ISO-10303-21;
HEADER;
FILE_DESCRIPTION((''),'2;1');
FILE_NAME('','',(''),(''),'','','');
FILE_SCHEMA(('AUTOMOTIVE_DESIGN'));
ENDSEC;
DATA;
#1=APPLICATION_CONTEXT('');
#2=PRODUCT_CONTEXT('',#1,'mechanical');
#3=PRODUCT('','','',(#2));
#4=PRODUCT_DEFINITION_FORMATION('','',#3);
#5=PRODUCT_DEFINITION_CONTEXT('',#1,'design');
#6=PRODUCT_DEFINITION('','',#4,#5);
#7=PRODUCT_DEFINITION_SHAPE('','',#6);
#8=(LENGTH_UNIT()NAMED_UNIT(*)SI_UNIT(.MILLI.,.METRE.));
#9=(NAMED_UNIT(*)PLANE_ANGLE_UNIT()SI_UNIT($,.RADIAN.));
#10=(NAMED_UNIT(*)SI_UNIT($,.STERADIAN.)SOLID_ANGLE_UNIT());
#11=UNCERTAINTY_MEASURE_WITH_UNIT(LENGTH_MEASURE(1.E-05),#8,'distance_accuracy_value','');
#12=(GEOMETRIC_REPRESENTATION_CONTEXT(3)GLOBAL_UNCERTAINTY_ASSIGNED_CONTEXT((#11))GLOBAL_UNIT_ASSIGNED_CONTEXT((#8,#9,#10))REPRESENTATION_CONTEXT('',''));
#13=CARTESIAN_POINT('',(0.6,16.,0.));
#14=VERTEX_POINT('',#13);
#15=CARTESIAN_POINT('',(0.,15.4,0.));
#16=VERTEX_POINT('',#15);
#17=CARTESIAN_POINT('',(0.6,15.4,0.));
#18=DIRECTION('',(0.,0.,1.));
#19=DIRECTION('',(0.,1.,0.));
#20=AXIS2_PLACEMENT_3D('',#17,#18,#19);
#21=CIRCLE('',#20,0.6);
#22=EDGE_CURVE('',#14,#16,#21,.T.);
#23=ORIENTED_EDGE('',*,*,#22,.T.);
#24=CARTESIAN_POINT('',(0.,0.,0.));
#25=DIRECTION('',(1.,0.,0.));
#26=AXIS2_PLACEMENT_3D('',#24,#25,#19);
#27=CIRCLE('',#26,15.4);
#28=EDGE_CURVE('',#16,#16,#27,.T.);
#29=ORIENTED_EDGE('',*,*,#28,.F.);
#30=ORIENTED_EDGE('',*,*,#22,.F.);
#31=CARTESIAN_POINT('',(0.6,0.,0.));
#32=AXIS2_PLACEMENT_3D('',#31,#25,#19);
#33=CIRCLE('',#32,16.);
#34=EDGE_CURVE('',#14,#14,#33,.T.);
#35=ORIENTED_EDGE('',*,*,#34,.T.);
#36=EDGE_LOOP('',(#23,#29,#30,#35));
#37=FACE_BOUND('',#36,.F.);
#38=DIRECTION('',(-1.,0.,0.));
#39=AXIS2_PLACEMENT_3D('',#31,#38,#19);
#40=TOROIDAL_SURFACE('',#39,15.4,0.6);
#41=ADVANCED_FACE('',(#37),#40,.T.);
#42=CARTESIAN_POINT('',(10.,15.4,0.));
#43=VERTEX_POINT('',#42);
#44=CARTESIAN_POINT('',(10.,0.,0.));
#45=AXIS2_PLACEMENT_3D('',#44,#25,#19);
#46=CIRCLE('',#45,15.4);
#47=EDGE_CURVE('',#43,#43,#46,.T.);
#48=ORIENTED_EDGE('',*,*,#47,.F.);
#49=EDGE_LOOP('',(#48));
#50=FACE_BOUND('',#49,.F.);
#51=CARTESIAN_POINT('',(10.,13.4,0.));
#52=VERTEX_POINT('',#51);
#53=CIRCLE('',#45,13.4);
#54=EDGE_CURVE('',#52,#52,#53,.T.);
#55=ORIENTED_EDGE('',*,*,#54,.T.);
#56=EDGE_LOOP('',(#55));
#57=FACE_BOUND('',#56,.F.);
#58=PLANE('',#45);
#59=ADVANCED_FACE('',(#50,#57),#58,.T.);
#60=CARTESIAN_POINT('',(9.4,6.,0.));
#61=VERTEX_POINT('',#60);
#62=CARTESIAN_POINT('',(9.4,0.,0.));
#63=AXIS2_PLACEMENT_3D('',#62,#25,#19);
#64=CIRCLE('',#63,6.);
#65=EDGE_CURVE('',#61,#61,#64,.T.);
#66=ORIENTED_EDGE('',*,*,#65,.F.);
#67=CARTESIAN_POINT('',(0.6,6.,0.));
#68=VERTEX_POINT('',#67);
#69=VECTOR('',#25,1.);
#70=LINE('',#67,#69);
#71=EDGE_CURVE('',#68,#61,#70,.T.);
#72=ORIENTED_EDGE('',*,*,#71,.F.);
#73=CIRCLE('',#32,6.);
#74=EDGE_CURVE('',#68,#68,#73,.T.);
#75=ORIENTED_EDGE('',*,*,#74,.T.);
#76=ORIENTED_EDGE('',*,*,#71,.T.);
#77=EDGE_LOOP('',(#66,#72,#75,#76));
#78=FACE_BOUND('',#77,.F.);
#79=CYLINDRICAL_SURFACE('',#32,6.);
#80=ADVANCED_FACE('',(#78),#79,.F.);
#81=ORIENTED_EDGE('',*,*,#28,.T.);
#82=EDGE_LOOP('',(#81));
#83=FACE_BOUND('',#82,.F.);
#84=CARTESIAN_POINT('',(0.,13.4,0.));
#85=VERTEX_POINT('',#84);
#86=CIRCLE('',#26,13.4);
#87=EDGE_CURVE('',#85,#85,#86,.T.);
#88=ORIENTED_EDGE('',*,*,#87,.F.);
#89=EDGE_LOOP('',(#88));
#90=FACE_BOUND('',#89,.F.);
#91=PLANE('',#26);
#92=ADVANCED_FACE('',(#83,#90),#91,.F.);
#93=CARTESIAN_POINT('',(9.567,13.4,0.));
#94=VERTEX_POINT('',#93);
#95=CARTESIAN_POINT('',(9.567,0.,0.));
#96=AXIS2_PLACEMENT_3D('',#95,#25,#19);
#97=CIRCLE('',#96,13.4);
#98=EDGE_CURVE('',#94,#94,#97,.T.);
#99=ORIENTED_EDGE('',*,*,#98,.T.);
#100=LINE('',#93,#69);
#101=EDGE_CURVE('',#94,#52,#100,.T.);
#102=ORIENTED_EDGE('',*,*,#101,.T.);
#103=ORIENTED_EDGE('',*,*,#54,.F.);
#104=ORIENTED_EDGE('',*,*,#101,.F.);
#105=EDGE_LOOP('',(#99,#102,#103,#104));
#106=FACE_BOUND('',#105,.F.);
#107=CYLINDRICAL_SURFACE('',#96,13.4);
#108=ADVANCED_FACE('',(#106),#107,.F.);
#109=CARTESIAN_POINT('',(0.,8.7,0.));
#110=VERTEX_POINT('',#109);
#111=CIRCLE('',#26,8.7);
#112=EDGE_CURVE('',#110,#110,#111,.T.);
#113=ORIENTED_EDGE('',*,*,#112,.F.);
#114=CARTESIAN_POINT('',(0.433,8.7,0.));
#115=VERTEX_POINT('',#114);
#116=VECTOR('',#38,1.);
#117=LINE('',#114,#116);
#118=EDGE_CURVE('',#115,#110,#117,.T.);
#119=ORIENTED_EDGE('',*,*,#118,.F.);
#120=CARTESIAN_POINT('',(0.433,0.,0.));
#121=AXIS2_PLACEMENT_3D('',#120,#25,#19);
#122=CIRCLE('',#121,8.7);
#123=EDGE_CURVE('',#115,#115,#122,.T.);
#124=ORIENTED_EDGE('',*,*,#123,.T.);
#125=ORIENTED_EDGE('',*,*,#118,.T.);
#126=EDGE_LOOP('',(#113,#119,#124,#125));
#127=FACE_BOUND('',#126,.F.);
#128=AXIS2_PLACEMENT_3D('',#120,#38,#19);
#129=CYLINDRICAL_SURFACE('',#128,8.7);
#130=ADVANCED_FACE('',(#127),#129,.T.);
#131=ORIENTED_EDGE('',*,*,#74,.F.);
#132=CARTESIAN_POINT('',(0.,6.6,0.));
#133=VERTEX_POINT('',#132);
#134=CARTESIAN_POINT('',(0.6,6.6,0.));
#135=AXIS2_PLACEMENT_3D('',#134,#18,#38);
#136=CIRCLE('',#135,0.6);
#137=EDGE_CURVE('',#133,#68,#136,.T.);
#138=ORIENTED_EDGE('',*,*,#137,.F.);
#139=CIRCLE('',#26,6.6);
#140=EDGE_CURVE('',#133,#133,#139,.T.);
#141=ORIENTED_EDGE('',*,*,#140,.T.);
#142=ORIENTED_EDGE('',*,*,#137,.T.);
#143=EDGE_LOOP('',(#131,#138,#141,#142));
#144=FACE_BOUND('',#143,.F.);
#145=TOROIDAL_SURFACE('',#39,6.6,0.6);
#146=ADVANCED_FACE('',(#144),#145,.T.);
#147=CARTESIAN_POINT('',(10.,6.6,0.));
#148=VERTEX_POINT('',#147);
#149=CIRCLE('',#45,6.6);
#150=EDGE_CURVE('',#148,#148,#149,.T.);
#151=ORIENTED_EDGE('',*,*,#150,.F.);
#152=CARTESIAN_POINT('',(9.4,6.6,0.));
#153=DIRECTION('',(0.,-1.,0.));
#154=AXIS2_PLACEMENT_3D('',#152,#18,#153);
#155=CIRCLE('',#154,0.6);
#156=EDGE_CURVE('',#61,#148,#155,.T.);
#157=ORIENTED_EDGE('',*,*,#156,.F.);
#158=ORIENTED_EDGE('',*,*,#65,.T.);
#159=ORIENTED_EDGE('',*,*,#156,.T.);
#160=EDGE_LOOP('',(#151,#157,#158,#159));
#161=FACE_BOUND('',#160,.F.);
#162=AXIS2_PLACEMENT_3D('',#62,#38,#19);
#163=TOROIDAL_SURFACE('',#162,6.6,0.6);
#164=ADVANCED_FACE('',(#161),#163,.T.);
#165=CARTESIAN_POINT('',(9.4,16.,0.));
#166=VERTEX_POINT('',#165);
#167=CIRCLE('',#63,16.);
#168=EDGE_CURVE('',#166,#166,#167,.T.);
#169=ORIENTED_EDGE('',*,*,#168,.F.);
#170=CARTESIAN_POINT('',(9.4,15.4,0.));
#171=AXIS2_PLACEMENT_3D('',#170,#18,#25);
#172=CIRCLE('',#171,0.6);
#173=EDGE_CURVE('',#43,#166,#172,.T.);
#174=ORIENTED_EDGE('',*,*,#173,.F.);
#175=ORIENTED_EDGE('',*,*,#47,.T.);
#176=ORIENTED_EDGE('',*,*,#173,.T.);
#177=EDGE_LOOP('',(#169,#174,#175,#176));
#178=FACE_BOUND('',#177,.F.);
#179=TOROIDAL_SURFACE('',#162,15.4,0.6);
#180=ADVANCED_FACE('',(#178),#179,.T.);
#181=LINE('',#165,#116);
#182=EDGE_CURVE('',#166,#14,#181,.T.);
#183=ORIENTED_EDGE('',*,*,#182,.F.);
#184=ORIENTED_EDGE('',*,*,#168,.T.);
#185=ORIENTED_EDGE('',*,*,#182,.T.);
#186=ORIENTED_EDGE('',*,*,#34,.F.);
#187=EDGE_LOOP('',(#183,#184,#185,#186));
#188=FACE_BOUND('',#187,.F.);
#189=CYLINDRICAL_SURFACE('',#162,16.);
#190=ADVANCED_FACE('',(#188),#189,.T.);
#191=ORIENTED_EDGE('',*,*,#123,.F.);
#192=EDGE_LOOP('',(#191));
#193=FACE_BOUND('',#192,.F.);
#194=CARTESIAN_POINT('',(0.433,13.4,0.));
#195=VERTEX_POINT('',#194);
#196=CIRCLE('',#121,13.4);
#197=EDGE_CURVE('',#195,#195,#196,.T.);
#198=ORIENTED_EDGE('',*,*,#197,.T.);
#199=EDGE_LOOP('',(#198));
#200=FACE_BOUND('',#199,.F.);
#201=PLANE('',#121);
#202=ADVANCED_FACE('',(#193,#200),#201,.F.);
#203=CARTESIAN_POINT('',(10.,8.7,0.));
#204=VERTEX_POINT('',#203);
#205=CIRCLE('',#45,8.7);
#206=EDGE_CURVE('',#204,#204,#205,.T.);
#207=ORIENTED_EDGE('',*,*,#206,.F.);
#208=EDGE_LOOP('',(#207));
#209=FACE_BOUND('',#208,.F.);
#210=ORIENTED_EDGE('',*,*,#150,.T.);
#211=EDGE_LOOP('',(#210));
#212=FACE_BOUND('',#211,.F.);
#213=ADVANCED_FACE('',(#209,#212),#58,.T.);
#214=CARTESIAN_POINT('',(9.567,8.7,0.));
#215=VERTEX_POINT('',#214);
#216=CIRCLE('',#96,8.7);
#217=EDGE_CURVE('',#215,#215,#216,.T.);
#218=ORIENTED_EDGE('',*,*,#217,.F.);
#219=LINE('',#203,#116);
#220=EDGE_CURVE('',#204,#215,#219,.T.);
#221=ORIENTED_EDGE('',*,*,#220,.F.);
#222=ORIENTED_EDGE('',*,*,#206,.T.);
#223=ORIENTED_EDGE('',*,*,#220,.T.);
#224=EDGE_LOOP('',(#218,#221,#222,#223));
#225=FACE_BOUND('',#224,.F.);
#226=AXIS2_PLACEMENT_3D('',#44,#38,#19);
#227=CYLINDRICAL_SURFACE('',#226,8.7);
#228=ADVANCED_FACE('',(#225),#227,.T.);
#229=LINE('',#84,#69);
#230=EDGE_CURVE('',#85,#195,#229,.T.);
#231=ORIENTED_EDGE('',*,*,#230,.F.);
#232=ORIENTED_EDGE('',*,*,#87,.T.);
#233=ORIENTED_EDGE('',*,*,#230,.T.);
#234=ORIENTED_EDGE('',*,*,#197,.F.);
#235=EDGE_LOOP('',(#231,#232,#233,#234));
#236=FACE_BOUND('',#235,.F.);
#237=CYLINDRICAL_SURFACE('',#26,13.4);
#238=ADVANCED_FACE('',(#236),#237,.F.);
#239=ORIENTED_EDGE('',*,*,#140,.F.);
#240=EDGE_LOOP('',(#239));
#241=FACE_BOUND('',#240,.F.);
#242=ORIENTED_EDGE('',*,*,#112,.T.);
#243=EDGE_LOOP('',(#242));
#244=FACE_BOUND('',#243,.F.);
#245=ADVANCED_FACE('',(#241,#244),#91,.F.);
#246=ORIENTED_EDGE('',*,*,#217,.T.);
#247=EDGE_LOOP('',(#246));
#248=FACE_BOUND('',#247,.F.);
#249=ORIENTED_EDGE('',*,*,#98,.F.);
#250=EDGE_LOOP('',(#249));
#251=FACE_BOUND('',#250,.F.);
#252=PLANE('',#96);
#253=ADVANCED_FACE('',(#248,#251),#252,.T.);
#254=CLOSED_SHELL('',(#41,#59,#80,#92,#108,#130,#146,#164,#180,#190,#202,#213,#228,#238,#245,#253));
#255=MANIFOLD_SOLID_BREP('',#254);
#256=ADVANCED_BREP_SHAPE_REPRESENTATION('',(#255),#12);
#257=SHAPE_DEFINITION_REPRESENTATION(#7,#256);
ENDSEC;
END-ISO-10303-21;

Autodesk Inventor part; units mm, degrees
sketch "Sketch_1" plane through (0, 0, 0) normal (0, 0, 1) x (1, 0, 0)
  line L0 (10, 0) -> (0, 0)
  line L1 (0, 15.4) -> (0, 13.4)
  line L2 (0, 13.4) -> (0.433, 13.4)
  line L3 (0.433, 13.4) -> (0.433, 8.7)
  line L4 (0.433, 8.7) -> (0, 8.7)
  line L5 (0, 8.7) -> (0, 6.6)
  arc A0 (0, 6.6) -> (0.6, 6) centre (0.6, 6.6) ccw
  line L6 (0.6, 6) -> (9.4, 6)
  arc A1 (9.4, 6) -> (10, 6.6) centre (9.4, 6.6) ccw
  line L7 (10, 6.6) -> (10, 8.7)
  line L8 (10, 8.7) -> (9.567, 8.7)
  line L9 (9.567, 8.7) -> (9.567, 13.4)
  line L10 (9.567, 13.4) -> (10, 13.4)
  line L11 (10, 13.4) -> (10, 15.4)
  arc A2 (10, 15.4) -> (9.4, 16) centre (9.4, 15.4) ccw
  line L12 (9.4, 16) -> (0.6, 16)
  arc A3 (0.6, 16) -> (0, 15.4) centre (0.6, 15.4) ccw
revolve "Revolution1" add sketch "Sketch_1" angle 360 about axis through (10, 0, 0) along (1, 0, 0)
ref_plane "center_point_XY" through (5, 0, 0) normal (1, 0, 0) x (0, 0, -1)
ref_plane "center_point_YZ" through (5, 0, 0) normal (0, 0, -1) x (0, 1, 0)
ref_plane "center_point_ZX" through (5, 0, 0) normal (0, 1, 0) x (1, 0, 0)
ref_plane "to_housing_XY" through (0, 0, 0) normal (1, 0, 0) x (0, 0, -1)
ref_plane "to_housing_YZ" through (0, 0, 0) normal (0, 0, -1) x (0, 1, 0)
ref_plane "to_housing_ZX" through (0, 0, 0) normal (0, 1, 0) x (1, 0, 0)
ref_plane "to_ring_XY" through (9.134, 0, 0) normal (1, 0, 0) x (0, 0, -1)
ref_plane "to_ring_YZ" through (9.134, 0, 0) normal (0, 0, -1) x (0, 1, 0)
ref_plane "to_ring_ZX" through (9.134, 0, 0) normal (0, 1, 0) x (1, 0, 0)
properties part number "bearing_6201"
